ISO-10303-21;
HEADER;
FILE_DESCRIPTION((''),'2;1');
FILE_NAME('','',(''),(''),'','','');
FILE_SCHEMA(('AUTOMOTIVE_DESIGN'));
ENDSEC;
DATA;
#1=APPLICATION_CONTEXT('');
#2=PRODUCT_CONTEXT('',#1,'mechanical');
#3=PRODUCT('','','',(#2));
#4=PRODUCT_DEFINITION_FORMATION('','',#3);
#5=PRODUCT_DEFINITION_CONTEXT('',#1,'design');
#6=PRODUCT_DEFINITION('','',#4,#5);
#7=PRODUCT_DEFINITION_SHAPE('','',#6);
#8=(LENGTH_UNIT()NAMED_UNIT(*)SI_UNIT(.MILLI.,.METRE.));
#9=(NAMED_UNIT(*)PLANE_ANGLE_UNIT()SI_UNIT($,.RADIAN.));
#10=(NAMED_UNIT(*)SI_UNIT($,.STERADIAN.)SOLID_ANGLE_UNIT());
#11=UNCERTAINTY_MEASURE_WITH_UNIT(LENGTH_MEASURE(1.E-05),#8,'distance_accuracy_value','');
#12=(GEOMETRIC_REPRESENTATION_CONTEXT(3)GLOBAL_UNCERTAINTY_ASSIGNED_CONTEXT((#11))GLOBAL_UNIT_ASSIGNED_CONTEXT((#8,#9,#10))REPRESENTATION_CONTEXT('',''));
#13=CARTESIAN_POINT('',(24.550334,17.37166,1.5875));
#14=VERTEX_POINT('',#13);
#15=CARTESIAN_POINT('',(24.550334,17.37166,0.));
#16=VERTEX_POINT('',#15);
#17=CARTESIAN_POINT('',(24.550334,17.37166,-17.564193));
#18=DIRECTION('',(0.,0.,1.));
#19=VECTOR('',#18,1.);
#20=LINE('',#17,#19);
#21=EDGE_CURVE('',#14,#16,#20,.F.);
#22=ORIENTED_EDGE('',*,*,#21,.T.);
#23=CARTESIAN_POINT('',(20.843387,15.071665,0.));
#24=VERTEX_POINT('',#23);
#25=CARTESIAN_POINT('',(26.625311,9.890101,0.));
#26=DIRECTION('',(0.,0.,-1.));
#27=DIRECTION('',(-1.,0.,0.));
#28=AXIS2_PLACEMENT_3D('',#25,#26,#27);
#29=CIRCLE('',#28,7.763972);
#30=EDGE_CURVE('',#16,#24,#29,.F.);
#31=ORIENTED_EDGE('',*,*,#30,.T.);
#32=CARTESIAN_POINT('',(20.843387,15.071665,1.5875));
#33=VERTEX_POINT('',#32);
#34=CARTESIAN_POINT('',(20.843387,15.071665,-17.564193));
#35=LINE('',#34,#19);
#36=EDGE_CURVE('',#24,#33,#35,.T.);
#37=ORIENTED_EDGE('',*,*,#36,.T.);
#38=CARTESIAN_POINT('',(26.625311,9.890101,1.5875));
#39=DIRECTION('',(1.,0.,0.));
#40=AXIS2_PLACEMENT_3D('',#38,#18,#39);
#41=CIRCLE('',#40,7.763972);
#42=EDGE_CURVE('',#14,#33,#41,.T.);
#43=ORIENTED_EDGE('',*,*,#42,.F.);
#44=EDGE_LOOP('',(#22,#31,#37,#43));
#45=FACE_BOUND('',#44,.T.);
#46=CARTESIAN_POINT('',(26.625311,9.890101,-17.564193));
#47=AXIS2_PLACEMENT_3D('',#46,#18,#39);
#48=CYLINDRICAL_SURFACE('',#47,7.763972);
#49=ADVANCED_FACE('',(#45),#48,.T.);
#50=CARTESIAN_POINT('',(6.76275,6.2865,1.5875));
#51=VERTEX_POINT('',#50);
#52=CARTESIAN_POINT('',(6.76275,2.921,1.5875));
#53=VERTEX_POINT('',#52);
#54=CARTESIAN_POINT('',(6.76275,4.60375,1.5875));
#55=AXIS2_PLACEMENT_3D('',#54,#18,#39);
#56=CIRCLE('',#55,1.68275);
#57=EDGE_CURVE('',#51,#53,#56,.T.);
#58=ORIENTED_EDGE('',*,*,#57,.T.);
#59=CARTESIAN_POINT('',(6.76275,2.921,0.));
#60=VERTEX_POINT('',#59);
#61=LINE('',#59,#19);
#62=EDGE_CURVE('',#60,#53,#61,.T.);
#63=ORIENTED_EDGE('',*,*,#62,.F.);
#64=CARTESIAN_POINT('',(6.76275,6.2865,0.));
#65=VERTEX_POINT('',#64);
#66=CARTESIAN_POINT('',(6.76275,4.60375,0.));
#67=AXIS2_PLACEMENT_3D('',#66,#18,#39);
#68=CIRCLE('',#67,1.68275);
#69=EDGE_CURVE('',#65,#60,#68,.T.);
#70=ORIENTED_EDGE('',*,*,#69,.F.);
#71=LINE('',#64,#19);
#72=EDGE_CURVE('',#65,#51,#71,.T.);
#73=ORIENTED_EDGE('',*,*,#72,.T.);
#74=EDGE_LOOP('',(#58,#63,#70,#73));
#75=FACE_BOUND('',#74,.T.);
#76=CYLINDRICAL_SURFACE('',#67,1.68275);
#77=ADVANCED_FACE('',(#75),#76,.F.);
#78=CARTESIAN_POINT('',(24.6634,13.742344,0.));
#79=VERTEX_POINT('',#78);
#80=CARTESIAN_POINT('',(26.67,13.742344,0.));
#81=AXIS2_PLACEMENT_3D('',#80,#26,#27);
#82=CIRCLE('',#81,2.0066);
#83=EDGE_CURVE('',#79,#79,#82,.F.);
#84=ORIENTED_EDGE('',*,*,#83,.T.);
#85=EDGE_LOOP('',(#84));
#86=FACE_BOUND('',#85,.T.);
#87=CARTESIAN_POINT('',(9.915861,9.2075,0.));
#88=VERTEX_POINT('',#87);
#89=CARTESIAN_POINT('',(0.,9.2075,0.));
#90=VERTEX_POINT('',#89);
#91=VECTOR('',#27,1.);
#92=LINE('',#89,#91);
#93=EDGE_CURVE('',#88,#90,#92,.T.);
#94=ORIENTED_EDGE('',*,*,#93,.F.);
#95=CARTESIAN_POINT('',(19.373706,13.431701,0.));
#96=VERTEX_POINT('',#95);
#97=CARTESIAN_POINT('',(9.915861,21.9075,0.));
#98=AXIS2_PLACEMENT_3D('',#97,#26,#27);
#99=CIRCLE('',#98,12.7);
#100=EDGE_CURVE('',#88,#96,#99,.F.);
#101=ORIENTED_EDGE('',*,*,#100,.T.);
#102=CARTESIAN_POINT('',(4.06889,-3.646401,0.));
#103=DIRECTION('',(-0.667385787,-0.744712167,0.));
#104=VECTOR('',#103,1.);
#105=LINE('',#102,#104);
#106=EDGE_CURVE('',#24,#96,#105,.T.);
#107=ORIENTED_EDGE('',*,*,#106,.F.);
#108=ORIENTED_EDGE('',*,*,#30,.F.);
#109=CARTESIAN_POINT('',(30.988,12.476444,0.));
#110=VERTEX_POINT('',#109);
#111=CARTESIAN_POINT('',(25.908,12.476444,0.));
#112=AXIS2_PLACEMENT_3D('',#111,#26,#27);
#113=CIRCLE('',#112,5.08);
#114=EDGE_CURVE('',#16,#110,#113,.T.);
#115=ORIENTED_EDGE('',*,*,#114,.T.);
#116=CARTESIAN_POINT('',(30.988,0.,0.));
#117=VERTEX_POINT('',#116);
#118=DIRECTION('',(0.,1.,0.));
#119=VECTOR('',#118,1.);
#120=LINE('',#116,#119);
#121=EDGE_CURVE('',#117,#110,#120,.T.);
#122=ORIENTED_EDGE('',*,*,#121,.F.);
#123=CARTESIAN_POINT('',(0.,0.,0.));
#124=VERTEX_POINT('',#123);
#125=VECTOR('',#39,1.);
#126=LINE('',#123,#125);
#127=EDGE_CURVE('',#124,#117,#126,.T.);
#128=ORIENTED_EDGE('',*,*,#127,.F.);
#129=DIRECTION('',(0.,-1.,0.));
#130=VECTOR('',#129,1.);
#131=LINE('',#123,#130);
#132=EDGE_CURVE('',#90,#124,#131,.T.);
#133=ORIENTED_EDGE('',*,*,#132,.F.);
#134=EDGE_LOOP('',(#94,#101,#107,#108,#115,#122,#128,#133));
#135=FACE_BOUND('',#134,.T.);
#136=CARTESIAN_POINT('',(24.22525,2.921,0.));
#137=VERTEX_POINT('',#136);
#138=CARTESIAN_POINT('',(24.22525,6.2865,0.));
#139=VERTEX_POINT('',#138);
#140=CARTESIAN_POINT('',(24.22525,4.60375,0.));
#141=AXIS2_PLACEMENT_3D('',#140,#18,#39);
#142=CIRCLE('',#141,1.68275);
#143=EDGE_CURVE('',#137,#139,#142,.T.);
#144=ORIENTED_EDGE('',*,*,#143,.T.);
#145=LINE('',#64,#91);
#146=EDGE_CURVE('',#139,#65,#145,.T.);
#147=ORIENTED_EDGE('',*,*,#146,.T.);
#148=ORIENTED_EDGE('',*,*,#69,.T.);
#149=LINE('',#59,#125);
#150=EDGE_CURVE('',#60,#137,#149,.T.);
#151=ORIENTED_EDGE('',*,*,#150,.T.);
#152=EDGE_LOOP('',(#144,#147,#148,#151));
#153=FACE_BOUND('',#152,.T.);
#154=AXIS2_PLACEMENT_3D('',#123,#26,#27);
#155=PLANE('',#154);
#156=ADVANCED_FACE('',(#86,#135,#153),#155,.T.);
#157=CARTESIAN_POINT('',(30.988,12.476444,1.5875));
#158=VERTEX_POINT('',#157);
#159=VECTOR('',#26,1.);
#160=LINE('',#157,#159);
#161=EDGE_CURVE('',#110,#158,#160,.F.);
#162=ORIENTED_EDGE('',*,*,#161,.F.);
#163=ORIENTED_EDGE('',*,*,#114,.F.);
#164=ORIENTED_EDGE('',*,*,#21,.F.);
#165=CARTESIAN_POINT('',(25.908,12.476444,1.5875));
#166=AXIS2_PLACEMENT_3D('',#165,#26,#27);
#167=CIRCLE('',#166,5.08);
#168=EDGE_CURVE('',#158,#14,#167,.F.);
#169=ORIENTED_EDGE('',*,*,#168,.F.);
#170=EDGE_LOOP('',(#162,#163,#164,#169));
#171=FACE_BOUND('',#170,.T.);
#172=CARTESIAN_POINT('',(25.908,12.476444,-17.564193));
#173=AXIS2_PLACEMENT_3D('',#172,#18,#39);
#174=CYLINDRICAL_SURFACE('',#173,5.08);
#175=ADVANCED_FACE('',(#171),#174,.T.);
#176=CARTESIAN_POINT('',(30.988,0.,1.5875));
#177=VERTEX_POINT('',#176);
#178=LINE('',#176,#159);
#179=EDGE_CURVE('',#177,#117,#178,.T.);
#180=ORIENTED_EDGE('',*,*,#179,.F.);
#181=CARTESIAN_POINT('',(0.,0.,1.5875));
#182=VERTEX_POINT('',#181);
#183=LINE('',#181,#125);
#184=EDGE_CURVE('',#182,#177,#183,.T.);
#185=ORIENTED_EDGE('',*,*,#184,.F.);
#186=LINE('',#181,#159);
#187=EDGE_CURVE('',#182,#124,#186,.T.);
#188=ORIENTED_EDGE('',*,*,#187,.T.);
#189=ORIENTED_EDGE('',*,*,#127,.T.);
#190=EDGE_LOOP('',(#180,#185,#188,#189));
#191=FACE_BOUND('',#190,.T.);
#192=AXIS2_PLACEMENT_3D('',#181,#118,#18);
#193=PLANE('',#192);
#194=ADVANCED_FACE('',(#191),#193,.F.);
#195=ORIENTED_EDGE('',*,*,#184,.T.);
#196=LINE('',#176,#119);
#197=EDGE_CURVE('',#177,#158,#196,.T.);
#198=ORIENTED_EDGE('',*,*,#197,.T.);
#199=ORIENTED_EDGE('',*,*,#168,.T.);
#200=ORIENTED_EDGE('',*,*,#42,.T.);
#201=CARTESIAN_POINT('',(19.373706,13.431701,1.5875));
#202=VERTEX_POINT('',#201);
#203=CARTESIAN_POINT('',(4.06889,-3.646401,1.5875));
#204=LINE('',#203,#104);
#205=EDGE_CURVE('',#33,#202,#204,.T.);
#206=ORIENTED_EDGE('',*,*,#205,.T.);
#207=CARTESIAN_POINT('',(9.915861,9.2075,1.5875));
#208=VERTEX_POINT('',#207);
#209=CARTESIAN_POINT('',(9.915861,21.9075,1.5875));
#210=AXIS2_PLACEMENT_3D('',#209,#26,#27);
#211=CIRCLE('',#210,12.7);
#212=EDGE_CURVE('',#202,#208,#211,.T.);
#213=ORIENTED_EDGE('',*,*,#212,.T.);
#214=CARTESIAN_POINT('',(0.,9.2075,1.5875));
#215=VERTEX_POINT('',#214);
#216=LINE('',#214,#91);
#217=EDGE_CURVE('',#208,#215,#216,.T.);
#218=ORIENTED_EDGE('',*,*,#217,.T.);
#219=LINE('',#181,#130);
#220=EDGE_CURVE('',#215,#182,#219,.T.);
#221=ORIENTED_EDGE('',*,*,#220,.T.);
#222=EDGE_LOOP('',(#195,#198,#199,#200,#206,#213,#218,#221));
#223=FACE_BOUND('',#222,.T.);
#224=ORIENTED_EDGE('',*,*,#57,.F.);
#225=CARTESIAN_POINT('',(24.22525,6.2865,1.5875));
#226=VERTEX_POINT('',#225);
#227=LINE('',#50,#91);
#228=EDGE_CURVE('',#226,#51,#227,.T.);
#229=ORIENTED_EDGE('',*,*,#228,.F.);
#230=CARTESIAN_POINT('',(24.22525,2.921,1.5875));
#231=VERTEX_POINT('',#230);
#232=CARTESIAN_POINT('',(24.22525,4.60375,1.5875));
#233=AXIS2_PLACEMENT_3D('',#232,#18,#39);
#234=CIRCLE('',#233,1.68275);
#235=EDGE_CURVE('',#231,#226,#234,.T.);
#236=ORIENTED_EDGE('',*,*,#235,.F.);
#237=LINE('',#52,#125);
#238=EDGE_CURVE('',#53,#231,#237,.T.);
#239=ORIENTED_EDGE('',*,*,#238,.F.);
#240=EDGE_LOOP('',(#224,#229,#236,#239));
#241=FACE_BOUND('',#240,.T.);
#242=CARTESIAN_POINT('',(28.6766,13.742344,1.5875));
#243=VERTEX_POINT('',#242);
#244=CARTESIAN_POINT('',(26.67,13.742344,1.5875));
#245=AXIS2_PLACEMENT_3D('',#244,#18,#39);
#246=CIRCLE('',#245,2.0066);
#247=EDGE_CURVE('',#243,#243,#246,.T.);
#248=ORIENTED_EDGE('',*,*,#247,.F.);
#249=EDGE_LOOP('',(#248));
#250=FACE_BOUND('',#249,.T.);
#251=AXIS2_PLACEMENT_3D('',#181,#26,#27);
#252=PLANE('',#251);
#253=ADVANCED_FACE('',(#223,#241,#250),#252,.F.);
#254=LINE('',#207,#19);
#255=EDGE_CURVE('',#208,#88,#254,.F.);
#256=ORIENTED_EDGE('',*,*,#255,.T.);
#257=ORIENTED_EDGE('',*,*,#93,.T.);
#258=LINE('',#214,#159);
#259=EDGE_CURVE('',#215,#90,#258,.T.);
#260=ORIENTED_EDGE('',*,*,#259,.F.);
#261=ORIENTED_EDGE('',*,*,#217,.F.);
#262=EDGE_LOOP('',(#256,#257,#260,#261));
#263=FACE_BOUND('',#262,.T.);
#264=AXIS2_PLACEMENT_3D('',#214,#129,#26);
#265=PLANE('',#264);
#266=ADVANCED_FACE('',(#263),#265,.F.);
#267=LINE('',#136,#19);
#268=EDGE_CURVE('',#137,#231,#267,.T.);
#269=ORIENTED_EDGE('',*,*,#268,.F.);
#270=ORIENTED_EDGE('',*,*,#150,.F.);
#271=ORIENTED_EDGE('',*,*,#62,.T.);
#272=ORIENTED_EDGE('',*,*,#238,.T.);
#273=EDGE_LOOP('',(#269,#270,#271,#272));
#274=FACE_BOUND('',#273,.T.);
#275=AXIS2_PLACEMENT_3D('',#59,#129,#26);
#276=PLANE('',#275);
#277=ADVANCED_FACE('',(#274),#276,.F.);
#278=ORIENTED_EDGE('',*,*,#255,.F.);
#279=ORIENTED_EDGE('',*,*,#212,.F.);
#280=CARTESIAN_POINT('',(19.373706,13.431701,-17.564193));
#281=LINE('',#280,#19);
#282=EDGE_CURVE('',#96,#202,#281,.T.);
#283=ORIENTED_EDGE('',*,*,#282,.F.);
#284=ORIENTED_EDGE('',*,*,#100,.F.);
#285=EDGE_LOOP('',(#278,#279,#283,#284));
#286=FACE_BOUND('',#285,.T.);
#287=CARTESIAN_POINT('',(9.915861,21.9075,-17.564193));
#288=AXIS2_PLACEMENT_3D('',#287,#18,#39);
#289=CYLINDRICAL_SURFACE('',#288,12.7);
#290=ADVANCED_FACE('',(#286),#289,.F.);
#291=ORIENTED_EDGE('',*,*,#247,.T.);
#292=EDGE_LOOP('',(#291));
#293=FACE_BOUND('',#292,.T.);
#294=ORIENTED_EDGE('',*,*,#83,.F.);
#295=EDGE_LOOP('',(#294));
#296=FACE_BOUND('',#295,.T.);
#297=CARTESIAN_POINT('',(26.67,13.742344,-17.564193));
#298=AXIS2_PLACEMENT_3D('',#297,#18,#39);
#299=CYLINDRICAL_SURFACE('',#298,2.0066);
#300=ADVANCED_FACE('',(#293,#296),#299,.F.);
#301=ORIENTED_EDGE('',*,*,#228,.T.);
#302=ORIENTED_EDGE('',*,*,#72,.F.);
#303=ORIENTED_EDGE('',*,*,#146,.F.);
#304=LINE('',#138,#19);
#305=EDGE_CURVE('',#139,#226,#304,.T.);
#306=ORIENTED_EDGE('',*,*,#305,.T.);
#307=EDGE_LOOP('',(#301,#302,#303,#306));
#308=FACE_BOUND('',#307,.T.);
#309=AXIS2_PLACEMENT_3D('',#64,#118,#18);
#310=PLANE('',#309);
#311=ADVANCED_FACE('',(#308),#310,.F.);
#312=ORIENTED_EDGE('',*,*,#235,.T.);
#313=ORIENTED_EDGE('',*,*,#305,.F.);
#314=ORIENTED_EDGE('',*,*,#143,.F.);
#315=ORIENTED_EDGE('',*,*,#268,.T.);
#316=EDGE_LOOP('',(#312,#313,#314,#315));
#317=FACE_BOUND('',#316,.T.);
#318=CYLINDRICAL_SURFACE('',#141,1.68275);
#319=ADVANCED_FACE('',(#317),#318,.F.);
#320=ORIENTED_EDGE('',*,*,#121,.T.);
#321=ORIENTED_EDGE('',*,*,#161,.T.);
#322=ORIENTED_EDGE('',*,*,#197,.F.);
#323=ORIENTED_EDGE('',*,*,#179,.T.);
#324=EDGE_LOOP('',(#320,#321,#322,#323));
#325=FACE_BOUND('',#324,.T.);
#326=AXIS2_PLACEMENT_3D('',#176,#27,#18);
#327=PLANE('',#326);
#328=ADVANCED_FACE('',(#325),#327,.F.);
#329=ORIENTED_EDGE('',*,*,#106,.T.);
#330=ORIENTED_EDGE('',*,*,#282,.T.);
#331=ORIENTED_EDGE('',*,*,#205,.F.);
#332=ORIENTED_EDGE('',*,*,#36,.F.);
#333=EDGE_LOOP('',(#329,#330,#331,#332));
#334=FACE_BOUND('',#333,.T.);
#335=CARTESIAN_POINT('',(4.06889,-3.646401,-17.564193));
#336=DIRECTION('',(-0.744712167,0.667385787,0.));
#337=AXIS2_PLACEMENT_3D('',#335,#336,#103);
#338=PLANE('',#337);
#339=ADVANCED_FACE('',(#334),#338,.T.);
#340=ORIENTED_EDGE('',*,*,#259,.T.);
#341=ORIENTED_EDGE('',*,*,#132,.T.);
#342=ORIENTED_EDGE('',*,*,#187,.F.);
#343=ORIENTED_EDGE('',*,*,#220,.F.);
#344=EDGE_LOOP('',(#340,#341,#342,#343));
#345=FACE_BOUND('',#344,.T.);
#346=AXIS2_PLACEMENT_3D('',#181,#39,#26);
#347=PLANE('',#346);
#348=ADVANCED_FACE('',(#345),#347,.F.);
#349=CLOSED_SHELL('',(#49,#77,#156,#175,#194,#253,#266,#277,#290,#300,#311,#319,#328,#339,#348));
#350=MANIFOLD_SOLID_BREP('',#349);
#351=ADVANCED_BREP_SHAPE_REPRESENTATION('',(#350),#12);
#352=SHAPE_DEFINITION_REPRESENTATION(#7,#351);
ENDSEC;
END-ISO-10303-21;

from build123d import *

# Parameters (mm, degrees)
SKETCH1_W           = 30.988
SKETCH1_H           = 9.2075
BOSS_EXTRUDE1_DEPTH = 1.5875
SKETCH2_R           = 2.0066
BOSS_EXTRUDE2_DEPTH = 1.5875
FILLET1_R           = 12.7
FILLET2_R           = 5.08
CUT_EXTRUDE1_DEPTH  = 36.65115735


with BuildPart() as part:
    # Sketch1 → Boss-Extrude1 (new body)
    with BuildSketch(Plane.XY):
        with Locations((15.494, 4.60375)):
            Rectangle(SKETCH1_W, SKETCH1_H)
    extrude(amount=BOSS_EXTRUDE1_DEPTH)

    # Sketch2 → Boss-Extrude2 (add)
    with BuildSketch(Plane.XY.offset(1.5875)):
        with BuildLine():
            Line((15.588120411, 9.2075), (30.988, 9.2075))
            Line((30.988, 9.2075), (30.988, 16.312421236))
            ThreePointArc((30.988, 16.312421236), (25.682747304, 17.596645629), (20.843386501, 15.071665335))
            Line((20.843386501, 15.071665335), (15.588120411, 9.2075))
        make_face()
        with Locations((26.67, 13.742344032)):
            Circle(SKETCH2_R, mode=Mode.SUBTRACT)
    extrude(amount=-BOSS_EXTRUDE2_DEPTH)

    # Fillet1
    fillet1_edges = [part.edges().sort_by_distance(p)[0] for p in [
        (15.588120411, 9.2075, 0.79375),
    ]]
    fillet(fillet1_edges, radius=FILLET1_R)

    # Fillet2
    fillet2_edges = [part.edges().sort_by_distance(p)[0] for p in [
        (30.988, 16.312421236, 0.79375),
    ]]
    fillet(fillet2_edges, radius=FILLET2_R)

    # Sketch3 → Cut-Extrude1 (cut, through all)
    with BuildSketch(Plane.XY.offset(1.5875)):
        with BuildLine():
            Line((6.76275, 6.2865), (24.22525, 6.2865))
            ThreePointArc((24.22525, 6.2865), (25.908, 4.60375), (24.22525, 2.921))
            Line((24.22525, 2.921), (6.76275, 2.921))
            ThreePointArc((6.76275, 2.921), (5.08, 4.60375), (6.76275, 6.2865))
        make_face()
    extrude(amount=-CUT_EXTRUDE1_DEPTH, mode=Mode.SUBTRACT)


solid = part.part
